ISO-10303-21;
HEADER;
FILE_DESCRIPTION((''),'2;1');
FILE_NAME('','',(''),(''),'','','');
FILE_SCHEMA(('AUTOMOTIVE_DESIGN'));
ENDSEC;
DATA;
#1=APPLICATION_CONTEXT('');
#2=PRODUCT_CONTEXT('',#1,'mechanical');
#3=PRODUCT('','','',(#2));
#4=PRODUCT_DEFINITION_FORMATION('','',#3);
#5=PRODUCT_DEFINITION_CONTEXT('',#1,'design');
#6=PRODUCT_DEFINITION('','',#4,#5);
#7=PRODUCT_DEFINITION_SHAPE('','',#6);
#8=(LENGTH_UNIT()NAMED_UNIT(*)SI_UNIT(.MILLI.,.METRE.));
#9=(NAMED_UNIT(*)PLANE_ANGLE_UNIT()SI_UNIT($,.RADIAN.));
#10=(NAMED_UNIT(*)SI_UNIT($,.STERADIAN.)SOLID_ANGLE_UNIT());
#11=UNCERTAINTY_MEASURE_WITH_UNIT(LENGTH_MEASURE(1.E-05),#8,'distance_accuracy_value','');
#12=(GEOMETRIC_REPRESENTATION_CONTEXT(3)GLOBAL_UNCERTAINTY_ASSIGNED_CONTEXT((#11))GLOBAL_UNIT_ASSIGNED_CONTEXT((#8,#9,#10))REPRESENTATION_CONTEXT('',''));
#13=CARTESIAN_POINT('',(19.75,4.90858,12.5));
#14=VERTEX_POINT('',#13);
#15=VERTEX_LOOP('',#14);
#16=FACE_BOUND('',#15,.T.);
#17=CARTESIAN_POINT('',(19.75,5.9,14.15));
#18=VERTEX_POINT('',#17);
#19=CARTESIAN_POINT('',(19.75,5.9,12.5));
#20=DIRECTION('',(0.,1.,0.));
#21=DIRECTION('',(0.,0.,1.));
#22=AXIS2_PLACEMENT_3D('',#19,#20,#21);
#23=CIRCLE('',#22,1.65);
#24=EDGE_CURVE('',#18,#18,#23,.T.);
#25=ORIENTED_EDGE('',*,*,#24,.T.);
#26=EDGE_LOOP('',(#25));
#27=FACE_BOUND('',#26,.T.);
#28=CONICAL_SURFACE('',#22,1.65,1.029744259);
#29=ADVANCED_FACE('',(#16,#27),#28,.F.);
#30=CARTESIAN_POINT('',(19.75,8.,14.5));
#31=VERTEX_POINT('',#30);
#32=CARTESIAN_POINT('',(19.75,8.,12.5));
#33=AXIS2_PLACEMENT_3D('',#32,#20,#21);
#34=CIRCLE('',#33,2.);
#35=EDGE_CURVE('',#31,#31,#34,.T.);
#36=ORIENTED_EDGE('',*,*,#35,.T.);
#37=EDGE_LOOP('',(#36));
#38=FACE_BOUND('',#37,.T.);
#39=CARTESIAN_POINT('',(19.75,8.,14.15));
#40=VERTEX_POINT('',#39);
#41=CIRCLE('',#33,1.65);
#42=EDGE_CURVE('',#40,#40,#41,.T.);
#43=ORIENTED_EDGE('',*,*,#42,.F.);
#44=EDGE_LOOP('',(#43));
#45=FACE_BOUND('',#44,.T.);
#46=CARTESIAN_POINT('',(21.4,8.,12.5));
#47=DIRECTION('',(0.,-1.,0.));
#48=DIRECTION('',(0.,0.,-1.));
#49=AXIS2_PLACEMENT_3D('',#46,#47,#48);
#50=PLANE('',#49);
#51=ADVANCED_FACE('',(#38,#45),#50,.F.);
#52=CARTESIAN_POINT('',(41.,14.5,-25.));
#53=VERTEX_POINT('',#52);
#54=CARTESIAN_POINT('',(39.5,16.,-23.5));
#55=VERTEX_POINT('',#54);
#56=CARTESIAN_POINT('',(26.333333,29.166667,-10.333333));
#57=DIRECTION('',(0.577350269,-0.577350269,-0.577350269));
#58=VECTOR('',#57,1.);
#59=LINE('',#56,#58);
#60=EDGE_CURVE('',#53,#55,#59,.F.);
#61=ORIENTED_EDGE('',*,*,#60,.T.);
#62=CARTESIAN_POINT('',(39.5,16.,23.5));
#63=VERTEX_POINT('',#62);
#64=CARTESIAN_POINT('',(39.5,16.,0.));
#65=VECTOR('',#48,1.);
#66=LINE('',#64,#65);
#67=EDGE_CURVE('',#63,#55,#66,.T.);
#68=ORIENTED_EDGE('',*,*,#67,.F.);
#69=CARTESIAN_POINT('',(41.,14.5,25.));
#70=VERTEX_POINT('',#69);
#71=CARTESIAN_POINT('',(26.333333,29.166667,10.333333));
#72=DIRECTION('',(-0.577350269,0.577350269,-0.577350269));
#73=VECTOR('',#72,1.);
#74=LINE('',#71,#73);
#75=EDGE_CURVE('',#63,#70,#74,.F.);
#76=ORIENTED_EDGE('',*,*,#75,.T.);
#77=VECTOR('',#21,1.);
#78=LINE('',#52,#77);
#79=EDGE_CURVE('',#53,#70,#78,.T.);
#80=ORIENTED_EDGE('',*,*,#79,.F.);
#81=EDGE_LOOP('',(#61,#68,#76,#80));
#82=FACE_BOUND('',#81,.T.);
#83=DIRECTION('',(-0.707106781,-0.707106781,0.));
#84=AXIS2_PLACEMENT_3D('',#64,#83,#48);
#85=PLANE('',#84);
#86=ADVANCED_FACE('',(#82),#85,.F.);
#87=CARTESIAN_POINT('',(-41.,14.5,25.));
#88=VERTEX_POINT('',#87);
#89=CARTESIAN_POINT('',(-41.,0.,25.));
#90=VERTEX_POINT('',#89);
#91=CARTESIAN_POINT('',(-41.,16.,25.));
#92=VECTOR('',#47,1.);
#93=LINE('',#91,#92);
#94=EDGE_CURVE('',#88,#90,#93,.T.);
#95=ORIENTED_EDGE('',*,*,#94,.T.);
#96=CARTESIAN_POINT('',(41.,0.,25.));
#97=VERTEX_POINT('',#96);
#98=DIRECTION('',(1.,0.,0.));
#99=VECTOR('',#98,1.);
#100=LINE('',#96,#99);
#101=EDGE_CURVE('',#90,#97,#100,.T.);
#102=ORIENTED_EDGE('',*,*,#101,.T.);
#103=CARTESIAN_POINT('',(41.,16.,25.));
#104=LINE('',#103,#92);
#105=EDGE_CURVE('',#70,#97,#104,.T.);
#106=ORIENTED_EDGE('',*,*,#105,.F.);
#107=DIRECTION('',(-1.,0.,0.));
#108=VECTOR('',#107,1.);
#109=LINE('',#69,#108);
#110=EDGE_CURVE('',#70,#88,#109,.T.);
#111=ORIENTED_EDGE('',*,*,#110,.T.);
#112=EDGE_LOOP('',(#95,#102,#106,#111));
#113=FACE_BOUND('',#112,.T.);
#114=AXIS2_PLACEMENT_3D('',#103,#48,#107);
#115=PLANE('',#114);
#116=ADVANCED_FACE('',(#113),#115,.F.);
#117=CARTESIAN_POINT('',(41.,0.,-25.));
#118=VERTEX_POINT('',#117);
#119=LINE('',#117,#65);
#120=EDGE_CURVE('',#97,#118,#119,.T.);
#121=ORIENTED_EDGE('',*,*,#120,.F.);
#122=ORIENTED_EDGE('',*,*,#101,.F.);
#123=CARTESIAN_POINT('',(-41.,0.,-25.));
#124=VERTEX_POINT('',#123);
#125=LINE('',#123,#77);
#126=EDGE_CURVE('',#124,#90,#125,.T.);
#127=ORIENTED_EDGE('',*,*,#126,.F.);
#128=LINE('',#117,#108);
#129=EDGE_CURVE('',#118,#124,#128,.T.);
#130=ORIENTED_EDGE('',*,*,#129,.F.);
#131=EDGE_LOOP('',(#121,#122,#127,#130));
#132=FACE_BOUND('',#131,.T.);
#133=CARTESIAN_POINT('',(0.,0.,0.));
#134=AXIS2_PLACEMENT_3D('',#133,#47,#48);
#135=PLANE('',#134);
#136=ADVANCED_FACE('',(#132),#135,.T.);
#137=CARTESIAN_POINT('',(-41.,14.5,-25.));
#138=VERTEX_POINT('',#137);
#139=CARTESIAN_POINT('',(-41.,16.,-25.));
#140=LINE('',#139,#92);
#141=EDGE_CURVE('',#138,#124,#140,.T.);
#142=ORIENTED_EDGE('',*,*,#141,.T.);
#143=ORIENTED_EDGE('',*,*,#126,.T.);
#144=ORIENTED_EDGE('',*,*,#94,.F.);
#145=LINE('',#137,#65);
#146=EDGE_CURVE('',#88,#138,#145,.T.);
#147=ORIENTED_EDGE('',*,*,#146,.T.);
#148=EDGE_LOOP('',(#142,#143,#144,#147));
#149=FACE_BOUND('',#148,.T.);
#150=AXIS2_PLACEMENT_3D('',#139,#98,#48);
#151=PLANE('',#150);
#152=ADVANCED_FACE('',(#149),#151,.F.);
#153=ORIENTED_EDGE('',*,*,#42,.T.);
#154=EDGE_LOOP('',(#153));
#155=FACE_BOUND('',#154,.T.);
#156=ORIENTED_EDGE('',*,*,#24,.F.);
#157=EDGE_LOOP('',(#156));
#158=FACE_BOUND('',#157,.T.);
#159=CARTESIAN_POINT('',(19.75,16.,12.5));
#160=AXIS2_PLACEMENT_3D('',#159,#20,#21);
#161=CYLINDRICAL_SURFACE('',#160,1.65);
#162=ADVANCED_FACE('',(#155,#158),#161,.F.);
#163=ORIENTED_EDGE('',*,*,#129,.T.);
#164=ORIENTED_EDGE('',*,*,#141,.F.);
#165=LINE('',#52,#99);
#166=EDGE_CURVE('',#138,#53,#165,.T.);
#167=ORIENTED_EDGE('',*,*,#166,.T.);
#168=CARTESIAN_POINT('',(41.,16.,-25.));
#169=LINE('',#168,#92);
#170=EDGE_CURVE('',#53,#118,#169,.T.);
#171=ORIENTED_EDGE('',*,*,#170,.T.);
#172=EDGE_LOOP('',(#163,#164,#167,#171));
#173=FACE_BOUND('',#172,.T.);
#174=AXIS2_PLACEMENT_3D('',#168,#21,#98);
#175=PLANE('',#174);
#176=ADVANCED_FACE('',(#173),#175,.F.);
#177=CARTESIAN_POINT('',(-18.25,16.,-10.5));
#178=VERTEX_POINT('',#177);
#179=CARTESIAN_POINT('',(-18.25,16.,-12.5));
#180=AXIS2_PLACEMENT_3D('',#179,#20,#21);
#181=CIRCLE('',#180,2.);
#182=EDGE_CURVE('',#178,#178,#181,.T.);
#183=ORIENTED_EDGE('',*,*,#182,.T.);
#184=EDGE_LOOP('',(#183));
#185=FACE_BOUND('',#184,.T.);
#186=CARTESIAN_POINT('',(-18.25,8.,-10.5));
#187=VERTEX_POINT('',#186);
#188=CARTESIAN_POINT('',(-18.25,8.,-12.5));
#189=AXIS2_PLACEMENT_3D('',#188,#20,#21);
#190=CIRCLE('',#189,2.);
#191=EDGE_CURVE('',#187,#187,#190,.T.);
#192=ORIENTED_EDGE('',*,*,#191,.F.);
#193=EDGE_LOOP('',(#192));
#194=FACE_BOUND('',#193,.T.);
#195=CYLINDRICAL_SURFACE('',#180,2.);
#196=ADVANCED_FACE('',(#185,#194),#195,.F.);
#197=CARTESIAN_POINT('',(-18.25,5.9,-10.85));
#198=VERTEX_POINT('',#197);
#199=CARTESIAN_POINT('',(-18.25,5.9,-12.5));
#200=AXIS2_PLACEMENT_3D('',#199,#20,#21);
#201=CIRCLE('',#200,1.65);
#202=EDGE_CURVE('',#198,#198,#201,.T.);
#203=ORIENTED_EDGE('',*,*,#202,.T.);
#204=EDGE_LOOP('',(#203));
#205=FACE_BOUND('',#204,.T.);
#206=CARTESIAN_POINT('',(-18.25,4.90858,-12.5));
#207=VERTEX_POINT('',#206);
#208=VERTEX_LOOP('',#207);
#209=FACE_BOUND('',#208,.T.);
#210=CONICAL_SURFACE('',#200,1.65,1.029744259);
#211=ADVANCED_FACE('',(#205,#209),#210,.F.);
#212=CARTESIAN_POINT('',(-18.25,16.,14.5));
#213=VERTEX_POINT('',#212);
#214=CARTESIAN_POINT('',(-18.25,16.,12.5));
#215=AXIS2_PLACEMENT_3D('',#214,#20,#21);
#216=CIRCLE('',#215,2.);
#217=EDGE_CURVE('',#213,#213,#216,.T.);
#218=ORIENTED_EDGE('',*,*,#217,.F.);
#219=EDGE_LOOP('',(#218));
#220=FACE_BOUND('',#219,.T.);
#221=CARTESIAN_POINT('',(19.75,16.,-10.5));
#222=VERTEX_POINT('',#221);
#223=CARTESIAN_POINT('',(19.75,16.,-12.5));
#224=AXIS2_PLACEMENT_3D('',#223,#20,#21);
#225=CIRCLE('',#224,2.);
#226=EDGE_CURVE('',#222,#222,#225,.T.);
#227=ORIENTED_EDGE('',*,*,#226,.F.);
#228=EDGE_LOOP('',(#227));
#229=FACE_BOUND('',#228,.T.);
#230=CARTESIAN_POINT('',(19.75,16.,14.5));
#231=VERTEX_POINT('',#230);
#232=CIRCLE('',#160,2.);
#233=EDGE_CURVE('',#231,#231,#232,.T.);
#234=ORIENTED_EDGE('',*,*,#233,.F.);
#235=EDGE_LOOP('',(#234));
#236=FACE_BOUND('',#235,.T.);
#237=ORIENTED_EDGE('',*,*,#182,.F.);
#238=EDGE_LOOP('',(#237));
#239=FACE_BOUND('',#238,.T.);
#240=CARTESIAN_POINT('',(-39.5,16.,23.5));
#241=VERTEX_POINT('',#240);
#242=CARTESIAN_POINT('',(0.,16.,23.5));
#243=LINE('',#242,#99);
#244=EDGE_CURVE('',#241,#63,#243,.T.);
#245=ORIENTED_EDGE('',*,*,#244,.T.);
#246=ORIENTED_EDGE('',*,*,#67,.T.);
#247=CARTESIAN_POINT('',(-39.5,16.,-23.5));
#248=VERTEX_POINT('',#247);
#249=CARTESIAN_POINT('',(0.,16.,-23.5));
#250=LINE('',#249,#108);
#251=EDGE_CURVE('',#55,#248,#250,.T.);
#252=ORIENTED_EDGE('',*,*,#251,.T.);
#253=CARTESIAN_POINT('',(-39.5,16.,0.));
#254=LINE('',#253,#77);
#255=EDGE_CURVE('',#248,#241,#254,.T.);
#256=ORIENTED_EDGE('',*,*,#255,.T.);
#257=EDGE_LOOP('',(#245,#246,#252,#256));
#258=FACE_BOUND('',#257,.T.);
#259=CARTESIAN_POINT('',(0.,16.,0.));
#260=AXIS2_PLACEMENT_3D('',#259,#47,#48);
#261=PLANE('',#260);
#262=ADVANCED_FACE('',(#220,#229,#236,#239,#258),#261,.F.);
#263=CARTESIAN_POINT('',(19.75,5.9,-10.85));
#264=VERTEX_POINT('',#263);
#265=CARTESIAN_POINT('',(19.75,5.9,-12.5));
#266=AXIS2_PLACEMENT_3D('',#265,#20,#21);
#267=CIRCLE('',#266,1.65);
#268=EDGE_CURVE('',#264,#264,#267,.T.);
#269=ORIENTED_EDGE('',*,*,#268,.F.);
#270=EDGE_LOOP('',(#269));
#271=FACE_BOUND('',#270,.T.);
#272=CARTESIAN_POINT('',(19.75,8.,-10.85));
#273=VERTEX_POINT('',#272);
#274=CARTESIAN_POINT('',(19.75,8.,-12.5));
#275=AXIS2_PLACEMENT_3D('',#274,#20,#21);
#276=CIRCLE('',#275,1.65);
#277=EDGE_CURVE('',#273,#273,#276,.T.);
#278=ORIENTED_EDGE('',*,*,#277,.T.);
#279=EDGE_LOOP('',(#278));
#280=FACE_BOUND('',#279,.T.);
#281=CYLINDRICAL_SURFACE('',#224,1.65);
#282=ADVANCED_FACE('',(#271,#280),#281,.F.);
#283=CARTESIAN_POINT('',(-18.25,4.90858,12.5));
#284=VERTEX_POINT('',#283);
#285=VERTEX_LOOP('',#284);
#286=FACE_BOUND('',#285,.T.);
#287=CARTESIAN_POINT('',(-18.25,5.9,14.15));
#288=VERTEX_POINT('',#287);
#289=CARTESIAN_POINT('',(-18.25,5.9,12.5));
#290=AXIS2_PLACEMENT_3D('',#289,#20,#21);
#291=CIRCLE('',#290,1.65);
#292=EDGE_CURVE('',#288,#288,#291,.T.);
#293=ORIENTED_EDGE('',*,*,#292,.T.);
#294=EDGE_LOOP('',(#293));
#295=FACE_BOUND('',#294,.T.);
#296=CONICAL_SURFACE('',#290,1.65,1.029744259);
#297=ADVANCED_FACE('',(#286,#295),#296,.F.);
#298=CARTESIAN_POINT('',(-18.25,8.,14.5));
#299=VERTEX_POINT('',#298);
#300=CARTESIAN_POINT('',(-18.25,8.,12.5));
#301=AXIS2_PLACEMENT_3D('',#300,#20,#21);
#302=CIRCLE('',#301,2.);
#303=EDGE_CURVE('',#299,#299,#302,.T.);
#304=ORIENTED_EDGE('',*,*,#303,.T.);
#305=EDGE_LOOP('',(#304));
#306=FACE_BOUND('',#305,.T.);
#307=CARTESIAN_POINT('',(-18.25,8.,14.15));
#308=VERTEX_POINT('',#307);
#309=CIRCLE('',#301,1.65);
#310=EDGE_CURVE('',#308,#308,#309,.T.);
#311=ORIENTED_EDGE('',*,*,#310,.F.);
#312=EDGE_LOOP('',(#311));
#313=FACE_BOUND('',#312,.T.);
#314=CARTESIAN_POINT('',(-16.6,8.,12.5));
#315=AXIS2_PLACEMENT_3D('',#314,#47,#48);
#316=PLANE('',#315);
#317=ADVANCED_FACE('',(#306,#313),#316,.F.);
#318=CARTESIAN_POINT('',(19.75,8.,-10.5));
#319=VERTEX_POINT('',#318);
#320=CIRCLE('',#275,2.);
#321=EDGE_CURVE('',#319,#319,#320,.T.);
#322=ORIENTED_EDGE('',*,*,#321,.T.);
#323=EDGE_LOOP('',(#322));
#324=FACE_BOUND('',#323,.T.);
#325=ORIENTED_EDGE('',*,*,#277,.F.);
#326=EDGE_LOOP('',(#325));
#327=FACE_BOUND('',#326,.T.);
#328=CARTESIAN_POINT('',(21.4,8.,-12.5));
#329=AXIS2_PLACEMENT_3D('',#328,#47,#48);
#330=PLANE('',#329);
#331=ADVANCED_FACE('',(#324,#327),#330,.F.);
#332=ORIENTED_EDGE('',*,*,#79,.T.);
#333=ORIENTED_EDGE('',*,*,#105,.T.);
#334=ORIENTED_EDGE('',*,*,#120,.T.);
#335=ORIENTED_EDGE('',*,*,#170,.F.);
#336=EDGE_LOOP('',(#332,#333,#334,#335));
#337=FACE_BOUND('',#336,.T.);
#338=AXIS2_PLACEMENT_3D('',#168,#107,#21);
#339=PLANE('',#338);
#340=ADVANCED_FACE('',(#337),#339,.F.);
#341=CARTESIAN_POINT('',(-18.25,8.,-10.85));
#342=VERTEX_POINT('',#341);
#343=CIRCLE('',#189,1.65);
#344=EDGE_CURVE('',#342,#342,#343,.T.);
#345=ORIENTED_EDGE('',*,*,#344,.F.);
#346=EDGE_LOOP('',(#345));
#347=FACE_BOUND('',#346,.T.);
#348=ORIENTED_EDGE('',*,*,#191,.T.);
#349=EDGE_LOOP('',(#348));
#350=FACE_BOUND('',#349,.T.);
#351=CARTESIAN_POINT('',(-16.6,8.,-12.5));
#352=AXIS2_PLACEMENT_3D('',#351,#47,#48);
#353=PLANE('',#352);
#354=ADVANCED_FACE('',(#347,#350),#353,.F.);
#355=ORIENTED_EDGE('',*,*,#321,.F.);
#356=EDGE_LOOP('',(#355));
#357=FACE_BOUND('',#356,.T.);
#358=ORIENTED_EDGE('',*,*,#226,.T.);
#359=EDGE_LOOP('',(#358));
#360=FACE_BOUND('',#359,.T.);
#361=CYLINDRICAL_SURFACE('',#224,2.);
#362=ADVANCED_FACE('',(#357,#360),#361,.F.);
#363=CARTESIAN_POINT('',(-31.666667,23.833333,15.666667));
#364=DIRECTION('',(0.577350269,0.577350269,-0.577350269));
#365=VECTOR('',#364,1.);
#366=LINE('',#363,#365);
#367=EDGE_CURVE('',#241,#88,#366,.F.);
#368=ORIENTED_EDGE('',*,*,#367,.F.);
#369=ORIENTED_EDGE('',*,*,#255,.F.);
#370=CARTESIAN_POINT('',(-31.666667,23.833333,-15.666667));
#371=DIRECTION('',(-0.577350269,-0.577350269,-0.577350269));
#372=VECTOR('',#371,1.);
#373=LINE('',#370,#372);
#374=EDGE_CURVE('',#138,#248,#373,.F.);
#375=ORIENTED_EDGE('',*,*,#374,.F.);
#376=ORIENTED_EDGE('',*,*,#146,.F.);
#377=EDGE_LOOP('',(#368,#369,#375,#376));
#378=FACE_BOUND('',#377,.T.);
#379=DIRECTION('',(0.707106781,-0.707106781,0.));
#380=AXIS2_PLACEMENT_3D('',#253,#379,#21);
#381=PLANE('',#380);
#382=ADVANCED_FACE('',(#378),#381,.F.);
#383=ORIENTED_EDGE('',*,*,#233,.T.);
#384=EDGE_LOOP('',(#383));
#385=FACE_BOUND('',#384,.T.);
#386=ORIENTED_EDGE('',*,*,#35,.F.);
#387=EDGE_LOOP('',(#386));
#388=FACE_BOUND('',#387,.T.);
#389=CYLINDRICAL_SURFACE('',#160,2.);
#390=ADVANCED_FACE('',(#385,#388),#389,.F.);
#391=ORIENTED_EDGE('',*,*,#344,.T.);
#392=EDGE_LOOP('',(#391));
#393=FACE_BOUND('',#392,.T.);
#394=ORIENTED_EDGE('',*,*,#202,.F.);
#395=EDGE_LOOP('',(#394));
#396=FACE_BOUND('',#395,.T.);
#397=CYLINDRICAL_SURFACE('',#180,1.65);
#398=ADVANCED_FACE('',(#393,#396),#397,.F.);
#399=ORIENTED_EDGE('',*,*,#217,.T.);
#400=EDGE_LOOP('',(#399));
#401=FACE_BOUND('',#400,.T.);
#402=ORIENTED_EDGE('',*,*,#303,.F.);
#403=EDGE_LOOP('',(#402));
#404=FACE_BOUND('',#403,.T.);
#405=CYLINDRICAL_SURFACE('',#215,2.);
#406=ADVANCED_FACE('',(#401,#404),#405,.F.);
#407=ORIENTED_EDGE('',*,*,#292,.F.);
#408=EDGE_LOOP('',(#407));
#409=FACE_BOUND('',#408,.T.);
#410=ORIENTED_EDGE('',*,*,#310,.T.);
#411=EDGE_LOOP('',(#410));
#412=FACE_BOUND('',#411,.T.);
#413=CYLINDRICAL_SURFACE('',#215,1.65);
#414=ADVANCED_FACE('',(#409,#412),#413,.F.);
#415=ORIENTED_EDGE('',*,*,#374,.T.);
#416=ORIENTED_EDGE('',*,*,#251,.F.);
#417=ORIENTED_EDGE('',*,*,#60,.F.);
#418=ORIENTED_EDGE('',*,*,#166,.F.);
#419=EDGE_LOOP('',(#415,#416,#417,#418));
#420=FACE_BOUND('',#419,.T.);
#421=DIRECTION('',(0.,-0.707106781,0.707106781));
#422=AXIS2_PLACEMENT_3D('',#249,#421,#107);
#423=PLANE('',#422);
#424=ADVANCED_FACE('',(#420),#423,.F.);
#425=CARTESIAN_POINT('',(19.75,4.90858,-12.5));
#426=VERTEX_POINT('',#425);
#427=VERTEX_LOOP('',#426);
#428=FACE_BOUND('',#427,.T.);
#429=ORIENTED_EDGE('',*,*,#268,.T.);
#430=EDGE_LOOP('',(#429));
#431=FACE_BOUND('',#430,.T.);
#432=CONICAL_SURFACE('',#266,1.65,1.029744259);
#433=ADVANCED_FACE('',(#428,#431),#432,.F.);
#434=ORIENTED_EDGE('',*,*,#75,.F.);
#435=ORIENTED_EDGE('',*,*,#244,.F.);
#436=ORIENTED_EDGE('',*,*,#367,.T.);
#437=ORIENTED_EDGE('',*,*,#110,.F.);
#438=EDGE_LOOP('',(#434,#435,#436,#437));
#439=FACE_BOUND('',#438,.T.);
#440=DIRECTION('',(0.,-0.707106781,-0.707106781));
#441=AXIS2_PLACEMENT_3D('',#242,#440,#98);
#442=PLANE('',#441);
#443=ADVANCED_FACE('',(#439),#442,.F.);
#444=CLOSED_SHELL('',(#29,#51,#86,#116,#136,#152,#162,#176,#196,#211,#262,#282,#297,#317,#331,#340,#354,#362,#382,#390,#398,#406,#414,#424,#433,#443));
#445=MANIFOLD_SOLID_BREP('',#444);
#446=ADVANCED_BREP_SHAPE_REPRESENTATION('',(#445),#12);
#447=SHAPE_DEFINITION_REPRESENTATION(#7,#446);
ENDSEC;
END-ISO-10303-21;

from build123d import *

# Parameters (mm, degrees)
SKETCH1_W                   = 82
SKETCH1_H                   = 50
BOSS_EXTRUDE1_DEPTH         = 16
CHAMFER1_SIZE               = 1.5
M4_TAPPED_HOLE3_D           = 3.3
M4_TAPPED_HOLE3_DEPTH       = 10.1
M4_TAPPED_HOLE3_CBORE_D     = 4
M4_TAPPED_HOLE3_CBORE_DEPTH = 8
M4_TAPPED_HOLE3_TIP         = 0.991420021


with BuildPart() as part:
    # Sketch1 → Boss-Extrude1 (new body)
    with BuildSketch(Plane(origin=(0, 0, 0), x_dir=(1, 0, 0), z_dir=(0, 1, 0))):
        Rectangle(SKETCH1_W, SKETCH1_H)
    extrude(amount=BOSS_EXTRUDE1_DEPTH)

    # Chamfer1
    chamfer1_edges = [part.edges().sort_by_distance(p)[0] for p in [
        (41, 16, 0),
        (0, 16, -25),
        (-41, 16, 0),
        (0, 16, 25),
    ]]
    chamfer(chamfer1_edges, length=CHAMFER1_SIZE)

    # M4 Tapped Hole3
    with Locations(Plane(origin=(0, 16, 0), x_dir=(1, 0, 0), z_dir=(0, 1, 0))):
        with Locations((-18.25, -12.5), (19.75, 12.5), (-18.25, 12.5), (19.75, -12.5)):
            CounterBoreHole(M4_TAPPED_HOLE3_D / 2, M4_TAPPED_HOLE3_CBORE_D / 2, M4_TAPPED_HOLE3_CBORE_DEPTH, depth=M4_TAPPED_HOLE3_DEPTH)
            with Locations((0, 0, -(M4_TAPPED_HOLE3_DEPTH + M4_TAPPED_HOLE3_TIP / 2))):  # 118° drill point
                Cone(0, M4_TAPPED_HOLE3_D / 2, M4_TAPPED_HOLE3_TIP, mode=Mode.SUBTRACT)


solid = part.part
